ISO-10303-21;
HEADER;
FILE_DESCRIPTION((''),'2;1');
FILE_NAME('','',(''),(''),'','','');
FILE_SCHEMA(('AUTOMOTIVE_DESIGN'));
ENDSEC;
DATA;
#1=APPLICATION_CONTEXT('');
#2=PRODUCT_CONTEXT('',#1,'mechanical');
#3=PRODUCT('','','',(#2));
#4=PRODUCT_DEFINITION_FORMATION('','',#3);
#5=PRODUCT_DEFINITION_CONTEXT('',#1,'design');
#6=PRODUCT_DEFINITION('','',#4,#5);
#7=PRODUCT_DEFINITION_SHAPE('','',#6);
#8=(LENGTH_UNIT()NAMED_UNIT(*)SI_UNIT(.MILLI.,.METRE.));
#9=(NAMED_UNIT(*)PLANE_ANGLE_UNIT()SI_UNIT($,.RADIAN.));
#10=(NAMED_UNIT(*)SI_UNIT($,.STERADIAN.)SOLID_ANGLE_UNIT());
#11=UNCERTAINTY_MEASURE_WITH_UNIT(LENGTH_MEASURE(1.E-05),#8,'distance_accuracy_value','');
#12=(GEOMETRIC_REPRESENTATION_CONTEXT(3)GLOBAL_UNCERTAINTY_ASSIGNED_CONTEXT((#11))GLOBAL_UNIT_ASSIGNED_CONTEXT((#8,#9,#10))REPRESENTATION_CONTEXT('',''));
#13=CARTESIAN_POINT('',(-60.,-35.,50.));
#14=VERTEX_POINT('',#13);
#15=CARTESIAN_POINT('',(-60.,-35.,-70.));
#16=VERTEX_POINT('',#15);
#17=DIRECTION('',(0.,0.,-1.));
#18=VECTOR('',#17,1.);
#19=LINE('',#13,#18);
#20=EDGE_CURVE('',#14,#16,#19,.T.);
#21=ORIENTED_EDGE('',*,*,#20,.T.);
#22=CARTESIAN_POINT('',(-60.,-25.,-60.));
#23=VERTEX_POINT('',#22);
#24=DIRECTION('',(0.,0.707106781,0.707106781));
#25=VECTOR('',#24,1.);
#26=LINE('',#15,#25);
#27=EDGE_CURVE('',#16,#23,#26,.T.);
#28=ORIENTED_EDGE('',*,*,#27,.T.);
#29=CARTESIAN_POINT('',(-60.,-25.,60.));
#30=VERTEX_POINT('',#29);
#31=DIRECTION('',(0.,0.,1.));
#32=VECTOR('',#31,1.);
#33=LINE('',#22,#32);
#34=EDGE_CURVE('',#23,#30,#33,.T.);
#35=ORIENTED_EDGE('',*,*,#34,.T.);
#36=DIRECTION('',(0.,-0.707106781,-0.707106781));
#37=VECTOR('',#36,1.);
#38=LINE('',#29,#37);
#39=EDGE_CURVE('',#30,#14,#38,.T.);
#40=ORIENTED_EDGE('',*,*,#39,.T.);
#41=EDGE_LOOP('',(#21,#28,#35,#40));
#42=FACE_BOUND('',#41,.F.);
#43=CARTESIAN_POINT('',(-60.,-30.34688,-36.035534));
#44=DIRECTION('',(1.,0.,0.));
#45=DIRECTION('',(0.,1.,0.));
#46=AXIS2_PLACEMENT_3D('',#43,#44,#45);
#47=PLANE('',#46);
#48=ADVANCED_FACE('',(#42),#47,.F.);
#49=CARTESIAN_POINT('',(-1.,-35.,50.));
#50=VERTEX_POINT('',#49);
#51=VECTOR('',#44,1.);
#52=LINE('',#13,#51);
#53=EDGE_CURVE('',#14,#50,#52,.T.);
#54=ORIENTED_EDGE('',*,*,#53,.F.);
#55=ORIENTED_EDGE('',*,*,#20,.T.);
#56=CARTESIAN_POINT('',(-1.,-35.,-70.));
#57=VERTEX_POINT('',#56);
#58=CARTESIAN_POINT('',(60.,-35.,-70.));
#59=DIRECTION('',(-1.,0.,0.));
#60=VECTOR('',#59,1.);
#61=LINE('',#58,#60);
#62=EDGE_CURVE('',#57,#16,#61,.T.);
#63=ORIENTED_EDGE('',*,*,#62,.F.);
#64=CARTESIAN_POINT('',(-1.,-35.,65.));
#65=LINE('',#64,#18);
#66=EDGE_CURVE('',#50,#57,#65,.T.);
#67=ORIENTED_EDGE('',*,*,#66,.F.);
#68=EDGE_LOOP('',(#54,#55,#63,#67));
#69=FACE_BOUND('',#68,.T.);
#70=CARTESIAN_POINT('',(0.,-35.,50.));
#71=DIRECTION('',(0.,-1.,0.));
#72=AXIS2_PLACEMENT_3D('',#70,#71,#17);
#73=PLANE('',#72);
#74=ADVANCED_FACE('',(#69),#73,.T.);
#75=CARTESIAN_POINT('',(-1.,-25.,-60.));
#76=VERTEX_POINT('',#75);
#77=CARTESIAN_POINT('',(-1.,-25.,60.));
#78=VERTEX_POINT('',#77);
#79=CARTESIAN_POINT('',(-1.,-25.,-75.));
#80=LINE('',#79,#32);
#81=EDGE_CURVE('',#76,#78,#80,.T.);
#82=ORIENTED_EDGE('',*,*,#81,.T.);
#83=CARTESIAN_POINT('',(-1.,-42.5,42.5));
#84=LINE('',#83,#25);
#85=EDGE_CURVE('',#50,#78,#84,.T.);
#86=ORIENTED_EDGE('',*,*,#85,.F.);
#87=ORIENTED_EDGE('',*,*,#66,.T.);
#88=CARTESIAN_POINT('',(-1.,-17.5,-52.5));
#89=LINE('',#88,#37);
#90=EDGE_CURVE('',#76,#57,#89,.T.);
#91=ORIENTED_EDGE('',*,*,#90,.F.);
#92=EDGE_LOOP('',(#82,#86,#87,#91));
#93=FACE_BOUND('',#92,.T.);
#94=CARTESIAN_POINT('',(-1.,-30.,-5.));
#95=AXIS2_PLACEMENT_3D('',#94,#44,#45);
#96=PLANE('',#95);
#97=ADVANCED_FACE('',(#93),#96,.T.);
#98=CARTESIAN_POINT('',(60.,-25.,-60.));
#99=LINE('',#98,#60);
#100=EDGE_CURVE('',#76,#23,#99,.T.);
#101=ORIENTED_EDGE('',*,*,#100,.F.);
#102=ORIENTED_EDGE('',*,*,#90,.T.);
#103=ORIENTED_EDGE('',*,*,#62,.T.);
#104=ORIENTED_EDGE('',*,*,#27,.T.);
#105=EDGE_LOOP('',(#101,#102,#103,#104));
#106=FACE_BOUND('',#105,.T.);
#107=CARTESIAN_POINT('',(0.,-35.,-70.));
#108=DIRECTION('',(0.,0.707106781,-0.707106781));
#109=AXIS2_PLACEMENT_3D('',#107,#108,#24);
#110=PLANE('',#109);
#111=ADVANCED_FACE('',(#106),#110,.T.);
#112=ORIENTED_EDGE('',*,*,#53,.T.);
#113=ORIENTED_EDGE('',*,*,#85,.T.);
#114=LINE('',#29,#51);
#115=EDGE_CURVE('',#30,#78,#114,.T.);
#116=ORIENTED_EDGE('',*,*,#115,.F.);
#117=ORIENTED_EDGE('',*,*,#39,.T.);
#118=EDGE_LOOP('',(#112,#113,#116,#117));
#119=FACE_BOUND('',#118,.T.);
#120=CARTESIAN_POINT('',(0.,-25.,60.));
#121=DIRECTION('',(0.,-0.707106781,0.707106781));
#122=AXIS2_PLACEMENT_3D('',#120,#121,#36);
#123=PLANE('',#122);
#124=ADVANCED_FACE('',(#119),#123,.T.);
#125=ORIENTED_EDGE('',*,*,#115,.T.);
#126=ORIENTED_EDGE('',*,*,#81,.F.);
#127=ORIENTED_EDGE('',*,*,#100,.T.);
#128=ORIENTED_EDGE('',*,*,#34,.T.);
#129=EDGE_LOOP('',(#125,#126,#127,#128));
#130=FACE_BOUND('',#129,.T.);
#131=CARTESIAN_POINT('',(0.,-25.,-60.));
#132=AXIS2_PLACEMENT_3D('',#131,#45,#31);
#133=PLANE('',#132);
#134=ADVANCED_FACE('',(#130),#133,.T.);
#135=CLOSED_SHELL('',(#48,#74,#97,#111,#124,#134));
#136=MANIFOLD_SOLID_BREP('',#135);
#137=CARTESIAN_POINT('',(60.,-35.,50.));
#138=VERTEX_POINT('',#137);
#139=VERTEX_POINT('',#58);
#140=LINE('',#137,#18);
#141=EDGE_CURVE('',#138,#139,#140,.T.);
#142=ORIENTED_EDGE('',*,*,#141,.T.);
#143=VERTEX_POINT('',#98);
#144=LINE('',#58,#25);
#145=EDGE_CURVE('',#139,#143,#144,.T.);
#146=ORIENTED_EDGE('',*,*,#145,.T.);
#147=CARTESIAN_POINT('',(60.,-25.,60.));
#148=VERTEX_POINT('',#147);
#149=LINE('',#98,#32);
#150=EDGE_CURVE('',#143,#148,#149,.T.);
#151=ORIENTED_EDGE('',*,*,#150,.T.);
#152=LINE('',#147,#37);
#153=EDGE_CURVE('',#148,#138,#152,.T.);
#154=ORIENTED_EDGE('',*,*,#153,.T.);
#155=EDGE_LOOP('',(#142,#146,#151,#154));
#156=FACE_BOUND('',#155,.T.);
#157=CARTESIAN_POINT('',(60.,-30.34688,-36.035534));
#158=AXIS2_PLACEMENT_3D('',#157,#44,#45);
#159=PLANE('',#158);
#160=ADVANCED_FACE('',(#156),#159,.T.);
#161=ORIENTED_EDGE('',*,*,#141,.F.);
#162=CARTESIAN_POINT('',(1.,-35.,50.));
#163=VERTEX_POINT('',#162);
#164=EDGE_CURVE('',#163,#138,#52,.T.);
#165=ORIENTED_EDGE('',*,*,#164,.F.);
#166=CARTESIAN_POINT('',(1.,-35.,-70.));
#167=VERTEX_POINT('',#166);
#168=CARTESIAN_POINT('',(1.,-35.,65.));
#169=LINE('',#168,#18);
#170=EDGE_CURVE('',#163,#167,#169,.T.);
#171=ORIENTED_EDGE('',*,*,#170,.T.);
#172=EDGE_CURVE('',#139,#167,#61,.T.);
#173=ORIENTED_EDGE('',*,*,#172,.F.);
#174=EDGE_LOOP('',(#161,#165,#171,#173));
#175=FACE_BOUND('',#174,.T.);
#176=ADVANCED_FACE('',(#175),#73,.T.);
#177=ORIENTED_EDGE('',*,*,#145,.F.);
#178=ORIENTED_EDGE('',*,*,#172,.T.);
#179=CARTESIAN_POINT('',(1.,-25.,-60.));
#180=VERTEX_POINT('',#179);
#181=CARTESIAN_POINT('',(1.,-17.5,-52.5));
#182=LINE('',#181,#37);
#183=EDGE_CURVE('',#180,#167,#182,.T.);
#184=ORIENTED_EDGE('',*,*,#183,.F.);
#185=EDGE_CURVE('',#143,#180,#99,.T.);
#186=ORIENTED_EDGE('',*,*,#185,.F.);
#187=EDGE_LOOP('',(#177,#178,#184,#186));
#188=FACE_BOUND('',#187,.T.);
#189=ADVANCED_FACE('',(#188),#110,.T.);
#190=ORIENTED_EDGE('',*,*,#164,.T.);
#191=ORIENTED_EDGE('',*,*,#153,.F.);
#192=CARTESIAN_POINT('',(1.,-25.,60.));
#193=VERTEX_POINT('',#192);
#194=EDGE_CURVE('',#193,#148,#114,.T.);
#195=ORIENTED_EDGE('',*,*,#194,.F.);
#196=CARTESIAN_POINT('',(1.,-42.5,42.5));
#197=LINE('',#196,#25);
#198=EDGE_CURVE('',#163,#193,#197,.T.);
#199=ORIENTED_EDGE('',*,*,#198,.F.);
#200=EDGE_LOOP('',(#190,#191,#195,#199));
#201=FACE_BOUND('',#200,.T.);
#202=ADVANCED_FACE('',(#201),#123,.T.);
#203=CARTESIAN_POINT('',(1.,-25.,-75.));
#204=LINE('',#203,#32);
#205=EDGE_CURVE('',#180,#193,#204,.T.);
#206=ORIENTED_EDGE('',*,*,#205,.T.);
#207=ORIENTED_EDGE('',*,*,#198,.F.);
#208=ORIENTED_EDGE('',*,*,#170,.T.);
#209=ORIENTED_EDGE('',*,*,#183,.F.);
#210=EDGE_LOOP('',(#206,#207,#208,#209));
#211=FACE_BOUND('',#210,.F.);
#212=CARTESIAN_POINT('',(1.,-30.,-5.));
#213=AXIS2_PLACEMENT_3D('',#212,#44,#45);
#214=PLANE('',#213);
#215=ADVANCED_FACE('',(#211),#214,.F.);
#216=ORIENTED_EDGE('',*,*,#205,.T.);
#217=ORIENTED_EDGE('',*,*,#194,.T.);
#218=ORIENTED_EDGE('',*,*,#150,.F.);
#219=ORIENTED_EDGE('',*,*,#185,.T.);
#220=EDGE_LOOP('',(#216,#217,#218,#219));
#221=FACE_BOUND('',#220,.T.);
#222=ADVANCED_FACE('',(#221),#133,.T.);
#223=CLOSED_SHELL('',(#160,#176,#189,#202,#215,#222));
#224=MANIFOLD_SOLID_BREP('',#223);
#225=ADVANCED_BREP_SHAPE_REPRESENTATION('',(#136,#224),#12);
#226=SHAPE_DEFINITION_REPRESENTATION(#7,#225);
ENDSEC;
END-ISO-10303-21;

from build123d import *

# Parameters (mm, degrees)
F1_DEPTH = 60
F3_DEPTH = 1


with BuildPart() as f1:
    # F0 (on Right) → F1 (new body, symmetric)
    with BuildSketch(Plane.YZ):
        Polygon((-25, -60), (-25, -5), (-35, -5), (-35, -70), align=None)
        Polygon((-35, -5), (-25, -5), (-25, 60), (-35, 50), align=None)
    extrude(amount=F1_DEPTH, both=True)

    # F2 (on Right) → F3 (cut, symmetric)
    with BuildSketch(Plane.YZ):
        Polygon((-35, 65), (-35, -75), (-25, -75), (-25, -10), (-25, 65), align=None)
    extrude(amount=F3_DEPTH, both=True, mode=Mode.SUBTRACT)


solid = f1.part
